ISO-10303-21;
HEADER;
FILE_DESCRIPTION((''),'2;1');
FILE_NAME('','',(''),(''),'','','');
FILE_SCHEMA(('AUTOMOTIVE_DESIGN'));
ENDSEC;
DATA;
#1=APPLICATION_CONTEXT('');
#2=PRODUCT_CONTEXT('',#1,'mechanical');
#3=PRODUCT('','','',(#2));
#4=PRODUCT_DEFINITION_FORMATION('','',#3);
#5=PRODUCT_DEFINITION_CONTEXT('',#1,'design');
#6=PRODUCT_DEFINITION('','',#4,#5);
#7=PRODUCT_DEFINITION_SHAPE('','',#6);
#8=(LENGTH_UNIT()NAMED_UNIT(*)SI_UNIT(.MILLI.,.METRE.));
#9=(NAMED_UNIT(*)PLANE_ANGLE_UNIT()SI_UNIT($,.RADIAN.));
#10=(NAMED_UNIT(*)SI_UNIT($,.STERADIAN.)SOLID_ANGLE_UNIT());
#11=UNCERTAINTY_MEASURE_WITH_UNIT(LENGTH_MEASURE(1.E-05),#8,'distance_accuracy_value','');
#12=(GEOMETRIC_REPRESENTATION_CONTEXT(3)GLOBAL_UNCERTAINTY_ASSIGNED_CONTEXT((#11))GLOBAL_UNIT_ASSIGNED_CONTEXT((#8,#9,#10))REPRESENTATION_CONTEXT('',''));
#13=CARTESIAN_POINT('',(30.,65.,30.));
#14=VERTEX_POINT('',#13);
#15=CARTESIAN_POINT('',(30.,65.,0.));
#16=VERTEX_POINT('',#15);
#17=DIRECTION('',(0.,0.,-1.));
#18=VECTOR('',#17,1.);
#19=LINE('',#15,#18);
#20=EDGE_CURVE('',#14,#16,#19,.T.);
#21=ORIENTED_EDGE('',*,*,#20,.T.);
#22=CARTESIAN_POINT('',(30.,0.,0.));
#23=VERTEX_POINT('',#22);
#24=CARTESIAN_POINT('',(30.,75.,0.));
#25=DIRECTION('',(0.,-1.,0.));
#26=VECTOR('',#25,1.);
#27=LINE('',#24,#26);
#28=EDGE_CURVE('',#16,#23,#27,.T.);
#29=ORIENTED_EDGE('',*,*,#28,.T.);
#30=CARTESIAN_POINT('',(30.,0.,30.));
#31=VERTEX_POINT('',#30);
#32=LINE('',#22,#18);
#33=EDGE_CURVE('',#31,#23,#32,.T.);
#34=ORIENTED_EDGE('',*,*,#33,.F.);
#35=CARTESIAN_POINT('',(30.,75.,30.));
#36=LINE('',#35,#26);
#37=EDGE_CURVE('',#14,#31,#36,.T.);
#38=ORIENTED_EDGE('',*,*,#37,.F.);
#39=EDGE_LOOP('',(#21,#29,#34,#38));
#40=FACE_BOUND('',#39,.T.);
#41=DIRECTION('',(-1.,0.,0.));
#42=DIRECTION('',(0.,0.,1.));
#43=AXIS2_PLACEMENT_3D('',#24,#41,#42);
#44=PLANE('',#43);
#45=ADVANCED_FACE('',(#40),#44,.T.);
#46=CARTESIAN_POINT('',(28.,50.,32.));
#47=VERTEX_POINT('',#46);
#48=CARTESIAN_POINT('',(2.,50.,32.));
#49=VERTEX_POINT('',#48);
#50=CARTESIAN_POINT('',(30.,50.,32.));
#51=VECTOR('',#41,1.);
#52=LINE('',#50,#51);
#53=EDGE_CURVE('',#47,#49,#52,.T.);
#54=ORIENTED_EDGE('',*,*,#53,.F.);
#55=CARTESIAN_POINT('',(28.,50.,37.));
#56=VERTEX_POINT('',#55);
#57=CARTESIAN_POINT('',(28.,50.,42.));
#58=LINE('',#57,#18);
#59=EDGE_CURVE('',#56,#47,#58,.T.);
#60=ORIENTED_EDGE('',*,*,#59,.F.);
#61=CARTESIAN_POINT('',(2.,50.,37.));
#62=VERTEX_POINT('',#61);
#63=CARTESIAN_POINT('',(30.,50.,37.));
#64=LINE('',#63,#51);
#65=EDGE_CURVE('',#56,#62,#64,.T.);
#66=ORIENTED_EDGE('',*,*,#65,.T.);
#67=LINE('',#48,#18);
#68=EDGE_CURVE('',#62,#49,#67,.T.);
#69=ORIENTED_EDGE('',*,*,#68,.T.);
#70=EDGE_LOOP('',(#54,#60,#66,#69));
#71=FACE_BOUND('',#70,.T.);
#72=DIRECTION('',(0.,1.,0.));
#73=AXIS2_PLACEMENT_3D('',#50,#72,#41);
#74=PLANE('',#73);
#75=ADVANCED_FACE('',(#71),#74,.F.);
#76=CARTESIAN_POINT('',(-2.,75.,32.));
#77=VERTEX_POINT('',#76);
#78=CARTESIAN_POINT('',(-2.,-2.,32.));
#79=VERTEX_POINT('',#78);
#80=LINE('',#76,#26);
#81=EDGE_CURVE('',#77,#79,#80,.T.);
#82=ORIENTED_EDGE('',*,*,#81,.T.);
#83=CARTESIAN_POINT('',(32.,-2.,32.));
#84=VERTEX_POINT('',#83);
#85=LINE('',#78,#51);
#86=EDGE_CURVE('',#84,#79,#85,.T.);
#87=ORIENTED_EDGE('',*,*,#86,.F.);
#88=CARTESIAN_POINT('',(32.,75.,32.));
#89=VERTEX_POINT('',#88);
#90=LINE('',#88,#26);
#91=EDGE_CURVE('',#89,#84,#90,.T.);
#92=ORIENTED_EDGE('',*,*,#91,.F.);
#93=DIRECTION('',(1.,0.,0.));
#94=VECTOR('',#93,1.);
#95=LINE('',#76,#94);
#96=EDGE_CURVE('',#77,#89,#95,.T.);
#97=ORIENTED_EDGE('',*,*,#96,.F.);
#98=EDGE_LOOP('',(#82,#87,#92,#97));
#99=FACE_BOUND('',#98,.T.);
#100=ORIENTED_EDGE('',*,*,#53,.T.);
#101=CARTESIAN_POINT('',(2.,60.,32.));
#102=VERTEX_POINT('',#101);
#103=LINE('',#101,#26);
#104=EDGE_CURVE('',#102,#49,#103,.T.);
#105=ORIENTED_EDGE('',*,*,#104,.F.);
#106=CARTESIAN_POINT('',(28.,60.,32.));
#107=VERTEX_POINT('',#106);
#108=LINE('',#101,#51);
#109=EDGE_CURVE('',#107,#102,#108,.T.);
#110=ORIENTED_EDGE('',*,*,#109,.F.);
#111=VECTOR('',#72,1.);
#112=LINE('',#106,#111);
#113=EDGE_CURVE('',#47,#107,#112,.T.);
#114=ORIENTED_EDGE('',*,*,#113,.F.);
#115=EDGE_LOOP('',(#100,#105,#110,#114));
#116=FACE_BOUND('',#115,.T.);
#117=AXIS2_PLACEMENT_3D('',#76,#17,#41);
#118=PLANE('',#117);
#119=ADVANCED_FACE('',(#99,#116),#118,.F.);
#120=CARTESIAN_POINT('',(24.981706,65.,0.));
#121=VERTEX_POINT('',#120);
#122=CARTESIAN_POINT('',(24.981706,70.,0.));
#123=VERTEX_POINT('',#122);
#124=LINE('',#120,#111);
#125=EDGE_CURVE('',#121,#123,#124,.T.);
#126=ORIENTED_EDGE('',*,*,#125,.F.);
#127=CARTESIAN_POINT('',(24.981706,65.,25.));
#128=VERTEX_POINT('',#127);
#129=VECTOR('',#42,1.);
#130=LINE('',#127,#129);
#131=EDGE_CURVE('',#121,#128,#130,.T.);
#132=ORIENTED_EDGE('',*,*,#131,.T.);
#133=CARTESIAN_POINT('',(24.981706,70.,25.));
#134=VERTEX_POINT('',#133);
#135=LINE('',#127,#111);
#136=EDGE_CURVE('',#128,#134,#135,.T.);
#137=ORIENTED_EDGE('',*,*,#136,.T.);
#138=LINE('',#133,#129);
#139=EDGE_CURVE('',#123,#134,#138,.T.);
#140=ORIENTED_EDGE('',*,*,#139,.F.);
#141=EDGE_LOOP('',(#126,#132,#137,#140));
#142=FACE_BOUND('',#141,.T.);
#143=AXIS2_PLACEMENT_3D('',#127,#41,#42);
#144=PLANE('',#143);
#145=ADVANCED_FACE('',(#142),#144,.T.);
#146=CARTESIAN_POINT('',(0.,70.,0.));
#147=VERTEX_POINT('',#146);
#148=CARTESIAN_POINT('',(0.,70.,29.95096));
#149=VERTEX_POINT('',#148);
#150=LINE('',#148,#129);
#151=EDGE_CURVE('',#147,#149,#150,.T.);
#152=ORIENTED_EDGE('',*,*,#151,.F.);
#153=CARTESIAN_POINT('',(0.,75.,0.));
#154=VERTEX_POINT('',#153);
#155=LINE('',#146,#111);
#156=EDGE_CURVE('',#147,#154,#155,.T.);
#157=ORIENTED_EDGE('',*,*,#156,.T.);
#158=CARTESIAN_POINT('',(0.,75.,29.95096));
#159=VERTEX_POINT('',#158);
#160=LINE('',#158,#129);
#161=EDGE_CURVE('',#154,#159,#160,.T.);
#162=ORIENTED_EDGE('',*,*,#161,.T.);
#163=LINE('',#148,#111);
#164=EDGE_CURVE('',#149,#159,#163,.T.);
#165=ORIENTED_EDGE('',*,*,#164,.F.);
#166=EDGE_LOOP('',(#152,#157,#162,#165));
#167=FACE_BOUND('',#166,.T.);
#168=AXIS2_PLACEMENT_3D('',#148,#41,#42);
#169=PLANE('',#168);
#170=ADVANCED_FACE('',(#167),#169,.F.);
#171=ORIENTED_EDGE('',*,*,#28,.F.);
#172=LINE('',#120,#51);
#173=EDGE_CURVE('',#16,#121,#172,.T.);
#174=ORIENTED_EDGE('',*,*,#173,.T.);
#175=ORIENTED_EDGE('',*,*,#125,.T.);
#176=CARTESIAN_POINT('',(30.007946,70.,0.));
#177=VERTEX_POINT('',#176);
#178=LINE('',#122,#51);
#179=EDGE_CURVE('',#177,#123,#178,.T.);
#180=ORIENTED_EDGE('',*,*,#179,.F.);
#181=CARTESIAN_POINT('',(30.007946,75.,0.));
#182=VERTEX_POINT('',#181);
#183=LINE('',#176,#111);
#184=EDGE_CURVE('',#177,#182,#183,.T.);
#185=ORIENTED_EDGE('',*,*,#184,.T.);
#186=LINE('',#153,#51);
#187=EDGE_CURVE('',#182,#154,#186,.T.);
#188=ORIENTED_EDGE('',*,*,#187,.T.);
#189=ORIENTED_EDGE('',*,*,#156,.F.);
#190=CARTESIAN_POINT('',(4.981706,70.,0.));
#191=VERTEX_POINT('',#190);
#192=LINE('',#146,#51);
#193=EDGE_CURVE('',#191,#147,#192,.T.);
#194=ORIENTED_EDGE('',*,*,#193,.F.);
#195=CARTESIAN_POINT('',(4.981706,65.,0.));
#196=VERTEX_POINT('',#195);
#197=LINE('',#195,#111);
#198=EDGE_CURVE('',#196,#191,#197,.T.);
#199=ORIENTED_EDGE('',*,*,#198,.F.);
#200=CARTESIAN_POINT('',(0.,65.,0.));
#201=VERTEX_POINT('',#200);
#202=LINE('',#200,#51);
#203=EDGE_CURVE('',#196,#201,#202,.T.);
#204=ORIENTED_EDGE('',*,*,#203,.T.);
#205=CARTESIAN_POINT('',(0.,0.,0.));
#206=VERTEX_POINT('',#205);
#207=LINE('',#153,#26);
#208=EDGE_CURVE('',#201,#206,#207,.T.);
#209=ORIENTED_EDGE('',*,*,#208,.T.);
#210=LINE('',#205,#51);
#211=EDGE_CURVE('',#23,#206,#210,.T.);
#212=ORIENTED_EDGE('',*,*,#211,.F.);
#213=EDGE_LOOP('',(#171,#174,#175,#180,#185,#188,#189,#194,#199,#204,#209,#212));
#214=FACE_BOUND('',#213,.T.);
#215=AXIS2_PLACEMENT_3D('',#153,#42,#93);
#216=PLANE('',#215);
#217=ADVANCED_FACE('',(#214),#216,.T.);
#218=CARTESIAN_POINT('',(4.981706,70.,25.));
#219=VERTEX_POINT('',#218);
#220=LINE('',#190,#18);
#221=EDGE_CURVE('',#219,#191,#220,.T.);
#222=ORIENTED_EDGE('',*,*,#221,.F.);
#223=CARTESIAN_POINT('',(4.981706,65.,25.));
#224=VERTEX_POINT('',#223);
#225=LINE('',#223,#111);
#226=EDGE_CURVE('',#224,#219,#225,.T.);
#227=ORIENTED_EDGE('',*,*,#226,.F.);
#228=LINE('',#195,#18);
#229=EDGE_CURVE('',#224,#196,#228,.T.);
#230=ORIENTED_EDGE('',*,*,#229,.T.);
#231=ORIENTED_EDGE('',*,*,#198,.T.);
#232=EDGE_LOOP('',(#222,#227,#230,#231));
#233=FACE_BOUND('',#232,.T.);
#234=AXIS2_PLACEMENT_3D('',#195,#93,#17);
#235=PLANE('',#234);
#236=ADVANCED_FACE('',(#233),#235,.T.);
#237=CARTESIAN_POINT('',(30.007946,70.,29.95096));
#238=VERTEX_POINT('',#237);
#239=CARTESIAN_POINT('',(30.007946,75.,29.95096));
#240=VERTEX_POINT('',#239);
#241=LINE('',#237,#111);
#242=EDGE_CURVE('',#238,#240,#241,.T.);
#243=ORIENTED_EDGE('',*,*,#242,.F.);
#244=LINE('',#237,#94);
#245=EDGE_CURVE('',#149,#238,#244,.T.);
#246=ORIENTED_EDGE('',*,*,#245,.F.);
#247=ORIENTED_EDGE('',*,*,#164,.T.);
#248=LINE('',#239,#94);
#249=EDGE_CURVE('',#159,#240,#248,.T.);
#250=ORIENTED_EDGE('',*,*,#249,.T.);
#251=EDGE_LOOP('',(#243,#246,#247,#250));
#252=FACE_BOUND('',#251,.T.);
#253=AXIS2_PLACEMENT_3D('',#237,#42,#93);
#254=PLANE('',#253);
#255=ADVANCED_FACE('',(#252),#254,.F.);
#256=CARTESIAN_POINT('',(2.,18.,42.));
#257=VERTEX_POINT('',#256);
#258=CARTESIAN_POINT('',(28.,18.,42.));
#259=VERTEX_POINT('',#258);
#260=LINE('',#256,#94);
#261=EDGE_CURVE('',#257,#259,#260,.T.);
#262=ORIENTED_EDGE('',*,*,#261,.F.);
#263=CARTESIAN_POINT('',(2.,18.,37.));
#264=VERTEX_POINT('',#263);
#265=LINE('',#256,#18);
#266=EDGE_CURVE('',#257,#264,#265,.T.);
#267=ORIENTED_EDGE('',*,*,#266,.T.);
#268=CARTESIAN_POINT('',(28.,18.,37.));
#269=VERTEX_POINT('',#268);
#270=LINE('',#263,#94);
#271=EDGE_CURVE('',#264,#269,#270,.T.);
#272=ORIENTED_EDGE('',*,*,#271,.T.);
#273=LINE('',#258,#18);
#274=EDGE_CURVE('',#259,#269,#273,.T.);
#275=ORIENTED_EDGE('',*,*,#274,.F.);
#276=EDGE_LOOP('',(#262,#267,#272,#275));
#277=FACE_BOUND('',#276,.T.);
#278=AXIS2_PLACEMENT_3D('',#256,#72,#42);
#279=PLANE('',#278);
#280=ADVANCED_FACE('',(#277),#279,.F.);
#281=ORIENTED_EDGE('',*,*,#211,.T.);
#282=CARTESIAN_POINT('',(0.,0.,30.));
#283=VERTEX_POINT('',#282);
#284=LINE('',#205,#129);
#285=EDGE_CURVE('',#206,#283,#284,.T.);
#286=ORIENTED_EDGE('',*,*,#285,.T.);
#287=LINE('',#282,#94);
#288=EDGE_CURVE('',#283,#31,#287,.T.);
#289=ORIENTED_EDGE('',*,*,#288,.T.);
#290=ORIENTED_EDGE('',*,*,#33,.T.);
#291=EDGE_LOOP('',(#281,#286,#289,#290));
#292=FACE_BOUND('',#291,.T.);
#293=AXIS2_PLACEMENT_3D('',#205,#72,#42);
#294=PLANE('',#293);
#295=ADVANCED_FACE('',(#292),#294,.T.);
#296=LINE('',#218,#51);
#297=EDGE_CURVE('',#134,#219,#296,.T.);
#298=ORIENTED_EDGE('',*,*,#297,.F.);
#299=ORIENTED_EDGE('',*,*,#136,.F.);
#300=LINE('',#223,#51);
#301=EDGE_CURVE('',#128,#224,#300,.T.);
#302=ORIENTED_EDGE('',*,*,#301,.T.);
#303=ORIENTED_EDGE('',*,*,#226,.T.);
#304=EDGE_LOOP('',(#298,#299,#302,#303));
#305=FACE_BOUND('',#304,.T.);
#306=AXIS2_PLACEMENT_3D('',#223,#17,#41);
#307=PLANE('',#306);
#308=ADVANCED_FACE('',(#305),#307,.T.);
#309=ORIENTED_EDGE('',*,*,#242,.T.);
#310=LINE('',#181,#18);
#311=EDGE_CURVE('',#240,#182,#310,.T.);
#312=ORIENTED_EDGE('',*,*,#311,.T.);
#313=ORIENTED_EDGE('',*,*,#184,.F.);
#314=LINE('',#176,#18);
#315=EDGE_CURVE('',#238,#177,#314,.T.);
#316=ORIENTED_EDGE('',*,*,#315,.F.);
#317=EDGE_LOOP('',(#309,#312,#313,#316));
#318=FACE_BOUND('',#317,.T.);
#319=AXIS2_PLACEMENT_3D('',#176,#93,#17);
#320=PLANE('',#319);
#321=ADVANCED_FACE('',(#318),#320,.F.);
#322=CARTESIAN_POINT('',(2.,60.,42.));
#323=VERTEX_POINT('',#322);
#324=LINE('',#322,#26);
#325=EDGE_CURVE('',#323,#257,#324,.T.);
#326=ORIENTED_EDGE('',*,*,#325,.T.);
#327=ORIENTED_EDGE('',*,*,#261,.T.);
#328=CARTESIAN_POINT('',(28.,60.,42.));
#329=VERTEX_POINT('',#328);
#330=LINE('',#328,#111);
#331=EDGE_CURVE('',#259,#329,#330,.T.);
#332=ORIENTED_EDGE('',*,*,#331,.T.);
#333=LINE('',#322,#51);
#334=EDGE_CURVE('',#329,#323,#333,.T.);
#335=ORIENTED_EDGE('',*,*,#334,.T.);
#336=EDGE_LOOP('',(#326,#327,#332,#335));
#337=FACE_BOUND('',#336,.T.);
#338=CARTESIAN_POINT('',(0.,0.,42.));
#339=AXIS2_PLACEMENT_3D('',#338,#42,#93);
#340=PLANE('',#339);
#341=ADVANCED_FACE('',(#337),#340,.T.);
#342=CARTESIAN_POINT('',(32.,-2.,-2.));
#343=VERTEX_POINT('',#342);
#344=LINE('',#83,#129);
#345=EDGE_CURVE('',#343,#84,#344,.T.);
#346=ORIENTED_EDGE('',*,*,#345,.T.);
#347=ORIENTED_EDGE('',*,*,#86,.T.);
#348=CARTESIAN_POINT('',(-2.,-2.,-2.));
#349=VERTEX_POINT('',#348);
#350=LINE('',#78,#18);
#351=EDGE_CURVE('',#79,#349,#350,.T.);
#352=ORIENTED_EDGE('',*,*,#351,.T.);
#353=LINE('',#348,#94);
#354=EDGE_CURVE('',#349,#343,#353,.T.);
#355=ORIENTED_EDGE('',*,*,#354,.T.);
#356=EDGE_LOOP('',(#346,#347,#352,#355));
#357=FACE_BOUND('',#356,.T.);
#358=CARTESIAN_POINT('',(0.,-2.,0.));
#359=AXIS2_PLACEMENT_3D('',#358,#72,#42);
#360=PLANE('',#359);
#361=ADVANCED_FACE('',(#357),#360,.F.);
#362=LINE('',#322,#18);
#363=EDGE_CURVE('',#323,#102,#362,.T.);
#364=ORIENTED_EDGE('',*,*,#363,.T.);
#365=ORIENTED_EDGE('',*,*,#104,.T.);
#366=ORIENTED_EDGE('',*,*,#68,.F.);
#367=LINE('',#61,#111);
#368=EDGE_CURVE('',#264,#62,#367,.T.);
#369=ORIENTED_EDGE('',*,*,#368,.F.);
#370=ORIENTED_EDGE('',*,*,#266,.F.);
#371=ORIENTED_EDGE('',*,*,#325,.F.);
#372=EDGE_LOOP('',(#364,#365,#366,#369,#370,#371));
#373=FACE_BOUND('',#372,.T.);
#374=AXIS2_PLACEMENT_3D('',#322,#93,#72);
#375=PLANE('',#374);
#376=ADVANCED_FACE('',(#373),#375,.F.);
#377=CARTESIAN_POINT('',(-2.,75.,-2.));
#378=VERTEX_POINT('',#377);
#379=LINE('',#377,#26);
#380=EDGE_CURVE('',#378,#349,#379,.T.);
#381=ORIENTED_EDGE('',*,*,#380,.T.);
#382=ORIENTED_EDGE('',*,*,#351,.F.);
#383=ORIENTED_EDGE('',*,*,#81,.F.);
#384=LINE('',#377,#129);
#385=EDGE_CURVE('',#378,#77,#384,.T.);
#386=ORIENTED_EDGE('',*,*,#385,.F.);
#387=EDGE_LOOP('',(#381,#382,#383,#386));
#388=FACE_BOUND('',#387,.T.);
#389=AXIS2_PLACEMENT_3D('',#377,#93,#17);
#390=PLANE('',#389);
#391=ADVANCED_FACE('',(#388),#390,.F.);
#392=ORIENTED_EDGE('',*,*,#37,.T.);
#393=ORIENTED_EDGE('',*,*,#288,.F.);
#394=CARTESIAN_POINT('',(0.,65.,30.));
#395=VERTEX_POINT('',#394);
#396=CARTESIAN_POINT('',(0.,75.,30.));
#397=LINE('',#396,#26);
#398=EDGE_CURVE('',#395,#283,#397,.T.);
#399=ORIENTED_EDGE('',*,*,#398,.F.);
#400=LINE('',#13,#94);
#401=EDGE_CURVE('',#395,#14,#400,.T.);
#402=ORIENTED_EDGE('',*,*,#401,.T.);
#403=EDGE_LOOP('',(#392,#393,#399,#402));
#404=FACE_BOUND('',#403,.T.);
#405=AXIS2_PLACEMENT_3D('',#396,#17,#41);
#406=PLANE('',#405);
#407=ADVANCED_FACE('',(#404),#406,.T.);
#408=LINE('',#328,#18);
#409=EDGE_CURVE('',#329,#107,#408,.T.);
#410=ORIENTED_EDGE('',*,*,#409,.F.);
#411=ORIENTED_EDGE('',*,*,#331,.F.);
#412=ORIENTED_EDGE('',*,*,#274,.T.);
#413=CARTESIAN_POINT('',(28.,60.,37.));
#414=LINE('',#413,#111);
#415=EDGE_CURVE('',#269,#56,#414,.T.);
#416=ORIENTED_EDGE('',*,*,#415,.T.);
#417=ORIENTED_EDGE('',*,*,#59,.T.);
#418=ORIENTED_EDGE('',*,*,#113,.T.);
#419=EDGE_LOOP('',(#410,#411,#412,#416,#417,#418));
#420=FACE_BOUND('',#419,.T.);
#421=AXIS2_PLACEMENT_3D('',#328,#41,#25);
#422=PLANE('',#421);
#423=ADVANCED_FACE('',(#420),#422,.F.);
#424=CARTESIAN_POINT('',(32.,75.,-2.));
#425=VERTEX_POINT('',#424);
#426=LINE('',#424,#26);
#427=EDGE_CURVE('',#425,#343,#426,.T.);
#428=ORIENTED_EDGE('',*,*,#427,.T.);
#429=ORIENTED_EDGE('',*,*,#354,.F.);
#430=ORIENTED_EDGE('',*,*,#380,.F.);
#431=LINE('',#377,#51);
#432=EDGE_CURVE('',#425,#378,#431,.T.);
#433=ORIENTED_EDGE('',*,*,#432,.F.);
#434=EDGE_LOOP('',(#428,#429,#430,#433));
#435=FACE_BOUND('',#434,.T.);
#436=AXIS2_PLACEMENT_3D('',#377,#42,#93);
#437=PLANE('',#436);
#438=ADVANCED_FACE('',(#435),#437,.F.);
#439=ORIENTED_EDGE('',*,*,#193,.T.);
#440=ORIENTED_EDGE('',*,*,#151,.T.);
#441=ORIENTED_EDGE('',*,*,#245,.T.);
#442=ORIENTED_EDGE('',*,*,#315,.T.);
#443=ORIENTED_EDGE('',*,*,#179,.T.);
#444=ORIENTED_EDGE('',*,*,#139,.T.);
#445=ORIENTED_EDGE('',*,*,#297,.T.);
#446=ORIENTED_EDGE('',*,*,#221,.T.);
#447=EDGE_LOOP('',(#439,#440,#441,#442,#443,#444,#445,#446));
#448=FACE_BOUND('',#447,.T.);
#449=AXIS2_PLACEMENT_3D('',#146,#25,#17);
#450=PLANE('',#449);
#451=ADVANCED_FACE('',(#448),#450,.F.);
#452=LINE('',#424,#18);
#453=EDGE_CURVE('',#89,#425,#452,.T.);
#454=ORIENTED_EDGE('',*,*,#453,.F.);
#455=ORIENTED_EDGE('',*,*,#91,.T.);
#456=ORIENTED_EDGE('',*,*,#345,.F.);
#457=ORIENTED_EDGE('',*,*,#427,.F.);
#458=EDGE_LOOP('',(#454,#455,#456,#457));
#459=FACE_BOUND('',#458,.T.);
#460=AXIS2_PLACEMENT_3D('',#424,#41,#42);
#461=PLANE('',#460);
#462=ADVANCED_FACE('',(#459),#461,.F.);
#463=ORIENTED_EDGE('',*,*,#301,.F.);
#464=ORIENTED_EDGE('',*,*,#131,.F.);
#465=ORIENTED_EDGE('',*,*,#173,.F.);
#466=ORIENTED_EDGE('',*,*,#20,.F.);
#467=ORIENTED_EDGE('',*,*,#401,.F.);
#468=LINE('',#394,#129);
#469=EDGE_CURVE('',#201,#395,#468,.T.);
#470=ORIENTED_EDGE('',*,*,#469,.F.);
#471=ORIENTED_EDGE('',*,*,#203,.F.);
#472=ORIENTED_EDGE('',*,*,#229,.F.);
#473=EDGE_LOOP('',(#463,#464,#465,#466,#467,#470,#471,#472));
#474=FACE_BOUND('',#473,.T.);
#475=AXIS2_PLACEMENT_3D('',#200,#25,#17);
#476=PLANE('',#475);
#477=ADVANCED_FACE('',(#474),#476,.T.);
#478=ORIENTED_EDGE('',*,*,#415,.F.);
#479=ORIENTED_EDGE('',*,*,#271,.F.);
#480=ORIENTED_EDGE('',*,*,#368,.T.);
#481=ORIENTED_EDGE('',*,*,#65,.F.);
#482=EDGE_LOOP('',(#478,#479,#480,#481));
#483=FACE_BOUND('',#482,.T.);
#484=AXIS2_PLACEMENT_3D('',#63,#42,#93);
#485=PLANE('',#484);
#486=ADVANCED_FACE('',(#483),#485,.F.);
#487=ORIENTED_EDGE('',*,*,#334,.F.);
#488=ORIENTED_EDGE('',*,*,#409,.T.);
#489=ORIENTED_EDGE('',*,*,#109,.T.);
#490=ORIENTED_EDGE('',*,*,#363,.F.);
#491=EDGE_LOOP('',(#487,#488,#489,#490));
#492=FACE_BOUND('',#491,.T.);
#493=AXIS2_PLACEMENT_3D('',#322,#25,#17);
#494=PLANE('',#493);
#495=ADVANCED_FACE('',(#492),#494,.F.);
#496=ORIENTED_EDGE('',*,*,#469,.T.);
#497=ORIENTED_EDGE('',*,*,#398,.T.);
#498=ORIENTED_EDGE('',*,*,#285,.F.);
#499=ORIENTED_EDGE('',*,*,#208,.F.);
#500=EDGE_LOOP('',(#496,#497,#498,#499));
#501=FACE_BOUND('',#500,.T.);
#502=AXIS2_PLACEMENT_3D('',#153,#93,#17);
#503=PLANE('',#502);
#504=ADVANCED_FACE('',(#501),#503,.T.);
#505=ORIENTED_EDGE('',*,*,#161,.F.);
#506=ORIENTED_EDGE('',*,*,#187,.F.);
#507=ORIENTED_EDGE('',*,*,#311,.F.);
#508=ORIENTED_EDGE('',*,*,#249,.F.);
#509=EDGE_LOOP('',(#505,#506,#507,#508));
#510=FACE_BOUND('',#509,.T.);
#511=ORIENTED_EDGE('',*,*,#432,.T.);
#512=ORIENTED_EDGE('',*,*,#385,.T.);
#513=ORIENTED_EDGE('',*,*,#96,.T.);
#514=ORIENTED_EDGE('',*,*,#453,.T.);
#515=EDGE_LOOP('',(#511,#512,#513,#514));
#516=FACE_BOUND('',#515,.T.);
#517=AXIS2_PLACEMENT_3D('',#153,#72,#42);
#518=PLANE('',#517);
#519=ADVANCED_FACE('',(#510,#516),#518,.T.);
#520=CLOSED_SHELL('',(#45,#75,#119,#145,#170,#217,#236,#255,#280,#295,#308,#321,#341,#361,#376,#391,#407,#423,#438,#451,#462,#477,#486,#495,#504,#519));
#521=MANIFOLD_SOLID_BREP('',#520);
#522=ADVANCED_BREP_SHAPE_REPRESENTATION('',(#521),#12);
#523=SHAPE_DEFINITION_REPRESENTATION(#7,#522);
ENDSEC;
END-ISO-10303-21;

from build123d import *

# Parameters (mm, degrees)
SKETCH1_W           = 34
SKETCH1_H           = 34
SKETCH1_W_2         = 30
SKETCH1_H_2         = 30
BOSS_EXTRUDE1_DEPTH = 75
BOSS_EXTRUDE2_DEPTH = 10
CUT_EXTRUDE1_DEPTH  = 5
SKETCH7_W           = 34
SKETCH7_H           = 34
BOSS_EXTRUDE3_DEPTH = 2
SKETCH8_W           = 26
SKETCH8_H           = 42
BOSS_EXTRUDE4_DEPTH = 10
SKETCH9_W           = 5
SKETCH9_H           = 32.017862038
CUT_EXTRUDE2_DEPTH  = 28


with BuildPart() as part:
    # Sketch1 → Boss-Extrude1 (new body)
    with BuildSketch(Plane(origin=(0, 0, 0), x_dir=(1, 0, 0), z_dir=(0, 1, 0))):
        with Locations((15, -15)):
            Rectangle(SKETCH1_W, SKETCH1_H)
        with Locations((15, -15)):
            Rectangle(SKETCH1_W_2, SKETCH1_H_2, mode=Mode.SUBTRACT)
    extrude(amount=BOSS_EXTRUDE1_DEPTH)

    # Sketch3 → Boss-Extrude2 (add)
    with BuildSketch(Plane(origin=(0, 75, 0), x_dir=(1, 0, 0), z_dir=(0, 1, 0))):
        Polygon((0, 0), (4.981706014, 0), (4.981706014, -25), (24.981706014, -25), (24.981706014, 0), (30, 0), (30, -30), (0, -30), align=None)
    extrude(amount=-BOSS_EXTRUDE2_DEPTH)

    # Sketch4 → Cut-Extrude1 (cut)
    with BuildSketch(Plane(origin=(0, 75, 0), x_dir=(1, 0, 0), z_dir=(0, 1, 0))):
        Polygon((24.981706014, 0), (30.007946467, 0), (30.007946467, -29.950959986), (0, -29.950959986), (0, 0), (4.981706014, 0), (4.981706014, -25), (24.981706014, -25), align=None)
    extrude(amount=-CUT_EXTRUDE1_DEPTH, mode=Mode.SUBTRACT)

    # Sketch7 → Boss-Extrude3 (add)
    with BuildSketch(Plane.XZ):
        with Locations((15, 15)):
            Rectangle(SKETCH7_W, SKETCH7_H)
    extrude(amount=BOSS_EXTRUDE3_DEPTH)

    # Sketch8 → Boss-Extrude4 (add)
    with BuildSketch(Plane.XY.offset(32)):
        with Locations((15, 39)):
            Rectangle(SKETCH8_W, SKETCH8_H)
    extrude(amount=BOSS_EXTRUDE4_DEPTH)

    # Sketch9 → Cut-Extrude2 (cut)
    with BuildSketch(Plane.ZY.offset(-2)):
        with Locations((34.5, 33.991068981)):
            Rectangle(SKETCH9_W, SKETCH9_H)
    extrude(amount=-CUT_EXTRUDE2_DEPTH, mode=Mode.SUBTRACT)


solid = part.part
